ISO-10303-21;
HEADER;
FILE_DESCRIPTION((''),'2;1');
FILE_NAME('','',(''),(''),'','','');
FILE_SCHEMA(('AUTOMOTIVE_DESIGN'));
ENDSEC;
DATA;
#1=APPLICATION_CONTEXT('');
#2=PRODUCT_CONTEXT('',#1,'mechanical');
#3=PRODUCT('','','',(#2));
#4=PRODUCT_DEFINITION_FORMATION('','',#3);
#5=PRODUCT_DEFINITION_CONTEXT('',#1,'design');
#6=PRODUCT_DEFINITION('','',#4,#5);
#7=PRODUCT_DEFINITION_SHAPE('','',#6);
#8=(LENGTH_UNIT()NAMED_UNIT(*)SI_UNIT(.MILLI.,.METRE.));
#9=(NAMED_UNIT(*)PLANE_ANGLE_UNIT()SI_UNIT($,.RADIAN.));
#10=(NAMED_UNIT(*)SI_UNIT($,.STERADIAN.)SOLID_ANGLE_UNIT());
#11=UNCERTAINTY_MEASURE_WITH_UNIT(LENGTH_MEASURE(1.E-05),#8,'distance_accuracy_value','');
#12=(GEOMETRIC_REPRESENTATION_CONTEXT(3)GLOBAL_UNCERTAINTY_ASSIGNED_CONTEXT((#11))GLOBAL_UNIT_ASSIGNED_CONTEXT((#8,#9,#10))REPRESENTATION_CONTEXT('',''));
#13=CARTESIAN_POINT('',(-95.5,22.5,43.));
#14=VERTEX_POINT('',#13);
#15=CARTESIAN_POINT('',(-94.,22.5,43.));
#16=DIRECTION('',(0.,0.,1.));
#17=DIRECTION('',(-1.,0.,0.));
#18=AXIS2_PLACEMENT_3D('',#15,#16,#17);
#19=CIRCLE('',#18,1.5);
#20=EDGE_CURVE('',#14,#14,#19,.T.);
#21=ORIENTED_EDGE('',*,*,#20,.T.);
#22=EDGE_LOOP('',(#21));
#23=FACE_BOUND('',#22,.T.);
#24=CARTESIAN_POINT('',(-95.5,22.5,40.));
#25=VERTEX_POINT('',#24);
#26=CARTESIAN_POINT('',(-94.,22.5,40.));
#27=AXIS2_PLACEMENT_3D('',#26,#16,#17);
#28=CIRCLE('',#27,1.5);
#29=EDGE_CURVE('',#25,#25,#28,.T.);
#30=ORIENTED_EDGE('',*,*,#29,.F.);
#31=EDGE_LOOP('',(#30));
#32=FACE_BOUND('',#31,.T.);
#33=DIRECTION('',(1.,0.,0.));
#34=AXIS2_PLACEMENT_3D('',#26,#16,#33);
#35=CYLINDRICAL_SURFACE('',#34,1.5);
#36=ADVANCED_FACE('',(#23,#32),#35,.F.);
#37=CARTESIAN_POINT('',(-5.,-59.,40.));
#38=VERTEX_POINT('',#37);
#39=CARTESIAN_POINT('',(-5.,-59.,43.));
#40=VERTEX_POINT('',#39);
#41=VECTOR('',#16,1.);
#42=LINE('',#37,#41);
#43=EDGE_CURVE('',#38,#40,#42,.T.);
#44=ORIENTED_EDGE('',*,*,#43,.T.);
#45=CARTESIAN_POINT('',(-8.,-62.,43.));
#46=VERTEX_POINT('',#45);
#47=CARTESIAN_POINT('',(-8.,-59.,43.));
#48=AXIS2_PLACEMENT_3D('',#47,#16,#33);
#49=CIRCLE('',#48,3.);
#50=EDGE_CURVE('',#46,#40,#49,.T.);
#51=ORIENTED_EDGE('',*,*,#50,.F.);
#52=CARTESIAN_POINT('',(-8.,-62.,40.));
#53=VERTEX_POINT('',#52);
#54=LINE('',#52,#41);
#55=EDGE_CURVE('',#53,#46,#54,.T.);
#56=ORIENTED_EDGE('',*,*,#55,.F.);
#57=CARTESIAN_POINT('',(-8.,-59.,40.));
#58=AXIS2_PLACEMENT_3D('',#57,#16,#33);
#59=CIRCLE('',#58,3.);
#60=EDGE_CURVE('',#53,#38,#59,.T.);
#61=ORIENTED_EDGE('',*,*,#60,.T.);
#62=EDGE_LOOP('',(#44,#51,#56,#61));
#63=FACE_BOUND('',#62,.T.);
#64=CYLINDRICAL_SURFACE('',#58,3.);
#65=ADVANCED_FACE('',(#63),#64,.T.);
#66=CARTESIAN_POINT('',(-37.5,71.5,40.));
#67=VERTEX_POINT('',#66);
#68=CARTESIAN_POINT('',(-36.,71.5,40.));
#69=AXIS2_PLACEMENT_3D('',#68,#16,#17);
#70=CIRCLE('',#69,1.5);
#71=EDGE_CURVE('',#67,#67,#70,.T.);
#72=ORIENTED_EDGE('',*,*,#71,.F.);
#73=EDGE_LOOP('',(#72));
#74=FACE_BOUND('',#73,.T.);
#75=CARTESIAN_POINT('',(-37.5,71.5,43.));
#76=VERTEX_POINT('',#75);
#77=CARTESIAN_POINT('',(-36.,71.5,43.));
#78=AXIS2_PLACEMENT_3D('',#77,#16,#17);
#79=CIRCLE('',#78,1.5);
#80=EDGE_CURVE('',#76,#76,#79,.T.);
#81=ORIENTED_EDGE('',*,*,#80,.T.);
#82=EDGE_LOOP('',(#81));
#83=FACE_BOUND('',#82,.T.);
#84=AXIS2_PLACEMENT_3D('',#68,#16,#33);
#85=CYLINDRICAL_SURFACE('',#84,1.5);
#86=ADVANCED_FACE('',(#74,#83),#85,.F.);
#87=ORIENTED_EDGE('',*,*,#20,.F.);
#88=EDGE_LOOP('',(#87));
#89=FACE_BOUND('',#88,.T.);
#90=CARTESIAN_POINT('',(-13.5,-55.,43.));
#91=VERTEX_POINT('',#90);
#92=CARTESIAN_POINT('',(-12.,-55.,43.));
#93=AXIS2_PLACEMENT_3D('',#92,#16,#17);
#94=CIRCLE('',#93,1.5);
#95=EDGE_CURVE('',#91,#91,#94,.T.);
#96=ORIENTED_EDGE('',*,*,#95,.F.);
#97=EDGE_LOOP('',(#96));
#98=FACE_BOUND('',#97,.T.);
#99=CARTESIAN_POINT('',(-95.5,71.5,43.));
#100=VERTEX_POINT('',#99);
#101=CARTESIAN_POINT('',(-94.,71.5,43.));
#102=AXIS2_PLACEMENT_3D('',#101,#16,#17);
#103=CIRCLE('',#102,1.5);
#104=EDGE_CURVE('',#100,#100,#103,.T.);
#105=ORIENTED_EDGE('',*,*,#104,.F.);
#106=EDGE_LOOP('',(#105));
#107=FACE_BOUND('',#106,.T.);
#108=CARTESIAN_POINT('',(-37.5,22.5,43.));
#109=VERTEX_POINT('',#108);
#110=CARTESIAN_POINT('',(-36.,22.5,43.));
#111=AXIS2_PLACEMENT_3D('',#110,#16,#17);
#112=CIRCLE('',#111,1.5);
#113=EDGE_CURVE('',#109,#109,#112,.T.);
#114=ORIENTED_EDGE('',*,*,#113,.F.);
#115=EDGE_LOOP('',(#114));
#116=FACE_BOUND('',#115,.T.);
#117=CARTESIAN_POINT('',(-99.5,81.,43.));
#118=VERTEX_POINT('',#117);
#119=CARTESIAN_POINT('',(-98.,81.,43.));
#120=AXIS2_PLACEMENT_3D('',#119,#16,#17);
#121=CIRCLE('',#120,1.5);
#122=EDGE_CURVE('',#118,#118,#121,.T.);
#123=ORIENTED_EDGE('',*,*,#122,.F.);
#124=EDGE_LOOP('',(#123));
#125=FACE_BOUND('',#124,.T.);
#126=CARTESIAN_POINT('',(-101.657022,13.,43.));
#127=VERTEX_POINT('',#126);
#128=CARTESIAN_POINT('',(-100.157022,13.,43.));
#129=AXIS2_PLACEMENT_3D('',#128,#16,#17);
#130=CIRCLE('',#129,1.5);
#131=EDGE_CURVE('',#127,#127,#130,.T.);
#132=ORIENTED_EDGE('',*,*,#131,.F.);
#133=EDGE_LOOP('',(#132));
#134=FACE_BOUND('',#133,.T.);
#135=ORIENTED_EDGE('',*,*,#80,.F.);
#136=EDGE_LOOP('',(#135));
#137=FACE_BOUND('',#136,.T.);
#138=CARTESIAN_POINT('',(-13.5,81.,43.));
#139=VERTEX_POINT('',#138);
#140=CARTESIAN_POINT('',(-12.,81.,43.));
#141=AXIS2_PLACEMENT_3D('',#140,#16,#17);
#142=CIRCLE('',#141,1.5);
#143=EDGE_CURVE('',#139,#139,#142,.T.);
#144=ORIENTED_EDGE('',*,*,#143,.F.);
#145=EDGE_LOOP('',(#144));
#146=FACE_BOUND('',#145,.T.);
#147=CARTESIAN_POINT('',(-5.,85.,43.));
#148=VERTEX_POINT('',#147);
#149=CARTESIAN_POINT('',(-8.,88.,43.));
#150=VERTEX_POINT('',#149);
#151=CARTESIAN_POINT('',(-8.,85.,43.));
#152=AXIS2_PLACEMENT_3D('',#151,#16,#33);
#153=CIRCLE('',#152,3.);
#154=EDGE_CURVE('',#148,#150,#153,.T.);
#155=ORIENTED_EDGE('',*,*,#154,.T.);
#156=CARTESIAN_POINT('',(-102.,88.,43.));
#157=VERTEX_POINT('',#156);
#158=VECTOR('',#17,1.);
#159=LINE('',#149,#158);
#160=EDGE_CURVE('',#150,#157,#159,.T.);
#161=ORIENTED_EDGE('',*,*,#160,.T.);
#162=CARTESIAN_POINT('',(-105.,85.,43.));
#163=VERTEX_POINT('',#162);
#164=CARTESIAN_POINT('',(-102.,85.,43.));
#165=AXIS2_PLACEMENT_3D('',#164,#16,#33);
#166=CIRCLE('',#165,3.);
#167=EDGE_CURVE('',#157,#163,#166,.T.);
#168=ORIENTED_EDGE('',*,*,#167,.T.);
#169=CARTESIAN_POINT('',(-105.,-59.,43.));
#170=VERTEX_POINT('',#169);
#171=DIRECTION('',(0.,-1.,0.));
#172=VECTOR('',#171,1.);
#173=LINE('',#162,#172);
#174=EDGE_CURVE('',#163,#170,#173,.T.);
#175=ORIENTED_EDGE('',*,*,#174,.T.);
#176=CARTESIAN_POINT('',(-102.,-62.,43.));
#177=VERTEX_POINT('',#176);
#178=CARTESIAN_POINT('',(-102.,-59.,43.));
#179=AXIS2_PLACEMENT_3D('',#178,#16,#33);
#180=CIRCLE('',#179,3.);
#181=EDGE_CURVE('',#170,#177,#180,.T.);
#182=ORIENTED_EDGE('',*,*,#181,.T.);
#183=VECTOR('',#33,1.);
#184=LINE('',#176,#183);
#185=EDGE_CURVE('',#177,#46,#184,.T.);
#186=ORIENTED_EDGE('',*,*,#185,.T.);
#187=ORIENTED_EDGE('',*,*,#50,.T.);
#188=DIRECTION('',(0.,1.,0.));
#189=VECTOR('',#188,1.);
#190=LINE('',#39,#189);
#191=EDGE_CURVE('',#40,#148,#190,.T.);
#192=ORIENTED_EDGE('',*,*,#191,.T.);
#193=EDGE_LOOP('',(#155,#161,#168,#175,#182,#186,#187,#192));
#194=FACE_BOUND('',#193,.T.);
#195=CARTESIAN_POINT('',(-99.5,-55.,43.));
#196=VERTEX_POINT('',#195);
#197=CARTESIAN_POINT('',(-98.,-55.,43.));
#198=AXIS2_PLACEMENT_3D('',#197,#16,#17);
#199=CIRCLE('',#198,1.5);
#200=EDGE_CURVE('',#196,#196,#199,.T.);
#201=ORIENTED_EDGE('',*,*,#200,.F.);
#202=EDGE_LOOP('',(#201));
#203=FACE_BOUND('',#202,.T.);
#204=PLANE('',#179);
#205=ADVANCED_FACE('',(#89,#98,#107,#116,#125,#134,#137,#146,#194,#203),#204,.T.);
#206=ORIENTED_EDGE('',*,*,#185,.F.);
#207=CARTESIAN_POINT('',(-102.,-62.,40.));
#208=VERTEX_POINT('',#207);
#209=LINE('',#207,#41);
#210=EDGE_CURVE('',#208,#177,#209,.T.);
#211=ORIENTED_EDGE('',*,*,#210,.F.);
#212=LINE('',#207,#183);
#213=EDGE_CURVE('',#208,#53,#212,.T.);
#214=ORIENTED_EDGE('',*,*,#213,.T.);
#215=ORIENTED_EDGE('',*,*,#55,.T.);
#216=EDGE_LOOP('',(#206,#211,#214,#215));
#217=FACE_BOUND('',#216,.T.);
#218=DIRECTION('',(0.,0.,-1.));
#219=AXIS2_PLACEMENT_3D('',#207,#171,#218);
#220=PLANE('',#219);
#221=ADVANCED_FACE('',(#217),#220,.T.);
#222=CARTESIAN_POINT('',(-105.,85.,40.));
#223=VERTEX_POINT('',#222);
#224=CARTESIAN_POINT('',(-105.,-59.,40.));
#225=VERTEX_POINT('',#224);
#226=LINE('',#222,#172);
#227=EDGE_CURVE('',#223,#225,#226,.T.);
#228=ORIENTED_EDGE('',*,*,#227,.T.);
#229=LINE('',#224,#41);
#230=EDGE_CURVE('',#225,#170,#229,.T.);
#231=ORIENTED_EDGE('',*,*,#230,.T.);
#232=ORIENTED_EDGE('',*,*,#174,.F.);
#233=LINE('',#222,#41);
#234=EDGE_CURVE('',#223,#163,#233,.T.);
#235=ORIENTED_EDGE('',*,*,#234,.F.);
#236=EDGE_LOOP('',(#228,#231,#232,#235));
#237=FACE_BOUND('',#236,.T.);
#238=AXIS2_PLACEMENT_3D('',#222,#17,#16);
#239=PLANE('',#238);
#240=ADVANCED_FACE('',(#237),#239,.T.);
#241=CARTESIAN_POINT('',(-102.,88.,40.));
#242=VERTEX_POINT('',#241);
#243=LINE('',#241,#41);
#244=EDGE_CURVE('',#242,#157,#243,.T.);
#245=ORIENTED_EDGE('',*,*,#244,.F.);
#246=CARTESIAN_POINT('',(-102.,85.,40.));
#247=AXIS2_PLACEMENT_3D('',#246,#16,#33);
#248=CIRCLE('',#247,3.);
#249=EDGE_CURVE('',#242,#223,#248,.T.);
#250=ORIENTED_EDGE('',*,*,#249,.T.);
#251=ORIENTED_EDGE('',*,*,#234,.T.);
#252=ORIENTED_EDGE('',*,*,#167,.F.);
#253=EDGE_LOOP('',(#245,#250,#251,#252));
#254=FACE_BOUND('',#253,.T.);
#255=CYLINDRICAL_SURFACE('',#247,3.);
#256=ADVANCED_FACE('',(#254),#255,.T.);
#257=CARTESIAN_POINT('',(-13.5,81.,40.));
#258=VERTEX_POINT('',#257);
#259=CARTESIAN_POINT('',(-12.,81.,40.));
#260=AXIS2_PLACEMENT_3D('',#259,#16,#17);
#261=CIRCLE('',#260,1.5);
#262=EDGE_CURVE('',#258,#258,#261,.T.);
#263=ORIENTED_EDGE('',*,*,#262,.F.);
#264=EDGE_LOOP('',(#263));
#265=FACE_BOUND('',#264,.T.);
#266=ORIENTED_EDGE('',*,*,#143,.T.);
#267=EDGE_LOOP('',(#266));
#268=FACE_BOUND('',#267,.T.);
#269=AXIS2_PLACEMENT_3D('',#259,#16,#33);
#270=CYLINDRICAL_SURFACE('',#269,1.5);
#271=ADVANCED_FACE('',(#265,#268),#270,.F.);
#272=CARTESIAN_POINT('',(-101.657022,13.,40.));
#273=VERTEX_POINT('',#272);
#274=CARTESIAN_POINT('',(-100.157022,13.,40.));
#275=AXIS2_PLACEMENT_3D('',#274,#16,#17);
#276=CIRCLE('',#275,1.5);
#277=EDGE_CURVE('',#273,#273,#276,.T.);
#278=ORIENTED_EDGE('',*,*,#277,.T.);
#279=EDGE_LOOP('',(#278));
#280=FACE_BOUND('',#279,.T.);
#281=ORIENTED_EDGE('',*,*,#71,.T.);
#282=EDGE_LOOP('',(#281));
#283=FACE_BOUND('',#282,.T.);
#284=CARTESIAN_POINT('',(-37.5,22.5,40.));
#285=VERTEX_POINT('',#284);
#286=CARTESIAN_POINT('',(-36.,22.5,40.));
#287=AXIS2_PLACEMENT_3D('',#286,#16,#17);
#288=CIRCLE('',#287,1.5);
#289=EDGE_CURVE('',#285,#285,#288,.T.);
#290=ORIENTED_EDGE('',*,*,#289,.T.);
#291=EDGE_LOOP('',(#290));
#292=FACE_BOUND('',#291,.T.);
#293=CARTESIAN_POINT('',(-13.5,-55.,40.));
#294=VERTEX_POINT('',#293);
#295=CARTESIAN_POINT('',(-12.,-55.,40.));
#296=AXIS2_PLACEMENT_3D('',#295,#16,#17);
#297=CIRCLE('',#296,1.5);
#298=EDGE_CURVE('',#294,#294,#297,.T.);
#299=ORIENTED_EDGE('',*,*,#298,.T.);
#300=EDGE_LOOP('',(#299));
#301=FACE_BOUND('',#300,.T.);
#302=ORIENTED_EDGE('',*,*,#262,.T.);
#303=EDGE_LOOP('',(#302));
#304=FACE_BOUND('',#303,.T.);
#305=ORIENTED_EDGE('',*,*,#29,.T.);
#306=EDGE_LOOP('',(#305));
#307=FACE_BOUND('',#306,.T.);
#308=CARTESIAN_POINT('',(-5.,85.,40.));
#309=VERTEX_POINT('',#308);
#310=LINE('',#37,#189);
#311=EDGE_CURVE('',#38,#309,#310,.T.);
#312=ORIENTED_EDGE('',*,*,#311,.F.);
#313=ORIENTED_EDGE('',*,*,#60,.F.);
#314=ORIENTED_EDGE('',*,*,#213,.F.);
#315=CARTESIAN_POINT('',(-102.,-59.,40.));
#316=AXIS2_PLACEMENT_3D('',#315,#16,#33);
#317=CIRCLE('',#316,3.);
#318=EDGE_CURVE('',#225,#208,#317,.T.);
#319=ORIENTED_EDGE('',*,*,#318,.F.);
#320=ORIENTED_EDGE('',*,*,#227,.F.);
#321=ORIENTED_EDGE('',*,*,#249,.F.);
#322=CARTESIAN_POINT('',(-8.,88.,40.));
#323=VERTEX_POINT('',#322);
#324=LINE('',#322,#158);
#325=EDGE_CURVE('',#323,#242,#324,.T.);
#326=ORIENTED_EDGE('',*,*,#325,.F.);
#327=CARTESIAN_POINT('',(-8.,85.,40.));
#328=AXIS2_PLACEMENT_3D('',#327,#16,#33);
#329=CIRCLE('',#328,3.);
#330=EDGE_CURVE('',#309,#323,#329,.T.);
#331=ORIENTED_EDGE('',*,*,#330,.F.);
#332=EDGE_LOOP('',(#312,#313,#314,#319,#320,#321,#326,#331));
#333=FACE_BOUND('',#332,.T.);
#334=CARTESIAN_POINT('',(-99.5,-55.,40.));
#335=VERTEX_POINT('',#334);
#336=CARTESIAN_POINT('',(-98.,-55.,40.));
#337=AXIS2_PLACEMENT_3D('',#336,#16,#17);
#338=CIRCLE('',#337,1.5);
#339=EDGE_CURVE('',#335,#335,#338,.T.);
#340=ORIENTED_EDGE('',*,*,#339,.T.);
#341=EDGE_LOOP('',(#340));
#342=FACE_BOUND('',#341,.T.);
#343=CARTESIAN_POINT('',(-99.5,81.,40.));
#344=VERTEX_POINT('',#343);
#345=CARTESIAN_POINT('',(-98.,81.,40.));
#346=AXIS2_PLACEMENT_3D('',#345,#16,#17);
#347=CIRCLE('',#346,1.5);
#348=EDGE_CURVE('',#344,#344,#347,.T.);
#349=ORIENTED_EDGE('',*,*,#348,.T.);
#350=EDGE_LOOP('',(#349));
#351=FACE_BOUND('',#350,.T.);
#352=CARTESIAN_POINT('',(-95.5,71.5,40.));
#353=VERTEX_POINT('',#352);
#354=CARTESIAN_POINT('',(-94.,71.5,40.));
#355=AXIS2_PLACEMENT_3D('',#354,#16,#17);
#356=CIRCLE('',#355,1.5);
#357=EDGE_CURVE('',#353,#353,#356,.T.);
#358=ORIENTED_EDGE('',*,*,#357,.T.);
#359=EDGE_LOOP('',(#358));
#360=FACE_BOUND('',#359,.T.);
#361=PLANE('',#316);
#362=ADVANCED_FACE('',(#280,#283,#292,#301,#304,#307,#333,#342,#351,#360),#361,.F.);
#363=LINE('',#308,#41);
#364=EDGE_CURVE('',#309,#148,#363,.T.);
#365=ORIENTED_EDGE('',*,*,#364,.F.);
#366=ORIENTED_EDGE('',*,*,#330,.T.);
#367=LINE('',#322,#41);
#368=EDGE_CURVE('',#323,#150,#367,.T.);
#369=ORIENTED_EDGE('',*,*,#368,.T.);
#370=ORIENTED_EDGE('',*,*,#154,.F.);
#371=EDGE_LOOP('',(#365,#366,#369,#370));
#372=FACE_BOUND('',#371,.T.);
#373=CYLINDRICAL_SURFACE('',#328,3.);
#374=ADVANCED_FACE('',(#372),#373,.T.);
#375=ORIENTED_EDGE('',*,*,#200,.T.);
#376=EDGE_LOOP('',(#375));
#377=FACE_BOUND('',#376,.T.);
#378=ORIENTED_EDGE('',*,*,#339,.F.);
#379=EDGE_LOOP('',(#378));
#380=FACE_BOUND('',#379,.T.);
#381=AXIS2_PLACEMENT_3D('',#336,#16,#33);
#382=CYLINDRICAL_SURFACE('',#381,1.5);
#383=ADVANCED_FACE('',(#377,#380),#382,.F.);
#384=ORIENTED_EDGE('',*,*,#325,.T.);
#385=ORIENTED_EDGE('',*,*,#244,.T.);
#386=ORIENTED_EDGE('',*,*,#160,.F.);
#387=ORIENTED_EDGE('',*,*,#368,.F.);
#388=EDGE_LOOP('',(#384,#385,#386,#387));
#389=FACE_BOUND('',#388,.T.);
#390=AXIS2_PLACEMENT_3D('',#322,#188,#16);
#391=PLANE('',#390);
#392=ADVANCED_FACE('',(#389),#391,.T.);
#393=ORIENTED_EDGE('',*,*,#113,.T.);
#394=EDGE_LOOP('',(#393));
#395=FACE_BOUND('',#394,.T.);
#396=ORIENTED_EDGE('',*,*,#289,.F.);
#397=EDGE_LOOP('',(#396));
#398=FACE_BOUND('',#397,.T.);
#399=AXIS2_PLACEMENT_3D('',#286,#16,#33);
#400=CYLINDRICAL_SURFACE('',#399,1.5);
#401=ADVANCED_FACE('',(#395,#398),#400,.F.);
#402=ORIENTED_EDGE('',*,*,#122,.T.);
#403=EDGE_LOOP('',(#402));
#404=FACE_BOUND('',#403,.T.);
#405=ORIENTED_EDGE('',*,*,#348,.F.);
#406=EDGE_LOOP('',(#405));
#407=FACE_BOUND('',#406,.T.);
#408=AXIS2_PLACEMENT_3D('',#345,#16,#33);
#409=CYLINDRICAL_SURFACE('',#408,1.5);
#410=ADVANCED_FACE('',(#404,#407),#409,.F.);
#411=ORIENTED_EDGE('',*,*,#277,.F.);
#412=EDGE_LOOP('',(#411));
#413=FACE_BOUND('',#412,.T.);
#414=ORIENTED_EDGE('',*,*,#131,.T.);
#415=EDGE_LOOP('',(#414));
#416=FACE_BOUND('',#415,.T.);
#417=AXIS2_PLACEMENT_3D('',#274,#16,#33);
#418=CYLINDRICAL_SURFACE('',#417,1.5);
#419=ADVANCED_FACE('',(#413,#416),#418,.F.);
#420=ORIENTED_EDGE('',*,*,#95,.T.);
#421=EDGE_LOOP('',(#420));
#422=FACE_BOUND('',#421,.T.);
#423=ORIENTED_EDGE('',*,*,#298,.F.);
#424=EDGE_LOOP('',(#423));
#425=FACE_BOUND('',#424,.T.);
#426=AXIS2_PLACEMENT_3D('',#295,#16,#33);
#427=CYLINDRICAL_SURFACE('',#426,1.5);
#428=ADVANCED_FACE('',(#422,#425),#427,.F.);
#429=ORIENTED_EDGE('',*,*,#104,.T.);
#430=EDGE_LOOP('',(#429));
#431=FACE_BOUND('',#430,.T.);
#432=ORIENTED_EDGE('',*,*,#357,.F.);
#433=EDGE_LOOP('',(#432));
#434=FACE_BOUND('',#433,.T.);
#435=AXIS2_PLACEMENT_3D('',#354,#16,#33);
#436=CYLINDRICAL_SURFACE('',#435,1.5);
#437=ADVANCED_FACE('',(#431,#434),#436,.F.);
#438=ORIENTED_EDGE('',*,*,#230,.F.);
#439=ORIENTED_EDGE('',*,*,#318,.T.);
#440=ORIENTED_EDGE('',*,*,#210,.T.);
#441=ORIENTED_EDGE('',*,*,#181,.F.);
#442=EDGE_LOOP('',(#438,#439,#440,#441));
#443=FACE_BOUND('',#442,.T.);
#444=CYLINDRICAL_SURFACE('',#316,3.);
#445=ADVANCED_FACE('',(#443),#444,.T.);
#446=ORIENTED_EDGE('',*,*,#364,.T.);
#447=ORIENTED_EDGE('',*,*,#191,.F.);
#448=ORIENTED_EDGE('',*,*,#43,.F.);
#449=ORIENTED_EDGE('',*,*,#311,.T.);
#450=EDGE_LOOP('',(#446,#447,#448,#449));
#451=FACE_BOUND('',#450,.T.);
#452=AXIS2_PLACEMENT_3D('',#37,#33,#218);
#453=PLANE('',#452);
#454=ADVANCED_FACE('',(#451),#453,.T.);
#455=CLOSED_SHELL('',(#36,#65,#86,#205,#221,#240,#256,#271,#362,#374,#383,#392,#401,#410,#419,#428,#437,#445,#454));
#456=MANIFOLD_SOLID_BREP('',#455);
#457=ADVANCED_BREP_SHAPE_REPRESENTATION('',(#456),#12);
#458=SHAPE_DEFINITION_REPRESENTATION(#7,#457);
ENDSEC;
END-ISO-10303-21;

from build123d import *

# Parameters (mm, degrees)
SKETCH_1_R      = 1.5
EXTRUDE_1_DEPTH = 3


with BuildPart() as part:
    # 草图1 → 凸台-拉伸1 (new body)
    with BuildSketch(Plane.XY.offset(43)):
        with BuildLine():
            Line((-102, -62), (-8, -62))
            ThreePointArc((-8, -62), (-5.878679656, -61.121320344), (-5, -59))
            Line((-5, -59), (-5, 85))
            ThreePointArc((-5, 85), (-5.878679656, 87.121320344), (-8, 88))
            Line((-8, 88), (-102, 88))
            ThreePointArc((-102, 88), (-104.121320344, 87.121320344), (-105, 85))
            Line((-105, 85), (-105, -59))
            ThreePointArc((-105, -59), (-104.121320344, -61.121320344), (-102, -62))
        make_face()
        with Locations(Location((-94, 71.5, 0), (0, 0, 180))):
            Circle(SKETCH_1_R, mode=Mode.SUBTRACT)
        with Locations(Location((-94, 22.5, 0), (0, 0, 180))):
            Circle(SKETCH_1_R, mode=Mode.SUBTRACT)
        with Locations(Location((-36, 22.5, 0), (0, 0, 180))):
            Circle(SKETCH_1_R, mode=Mode.SUBTRACT)
        with Locations(Location((-36, 71.5, 0), (0, 0, 180))):
            Circle(SKETCH_1_R, mode=Mode.SUBTRACT)
        with Locations(Location((-100.157022476, 13, 0), (0, 0, 180))):
            Circle(SKETCH_1_R, mode=Mode.SUBTRACT)
        with Locations(Location((-12, 81, 0), (0, 0, 180))):
            Circle(SKETCH_1_R, mode=Mode.SUBTRACT)
        with Locations(Location((-98, -55, 0), (0, 0, 180))):
            Circle(SKETCH_1_R, mode=Mode.SUBTRACT)
        with Locations(Location((-98, 81, 0), (0, 0, 180))):
            Circle(SKETCH_1_R, mode=Mode.SUBTRACT)
        with Locations(Location((-12, -55, 0), (0, 0, 180))):
            Circle(SKETCH_1_R, mode=Mode.SUBTRACT)
    extrude(amount=-EXTRUDE_1_DEPTH)


solid = part.part
